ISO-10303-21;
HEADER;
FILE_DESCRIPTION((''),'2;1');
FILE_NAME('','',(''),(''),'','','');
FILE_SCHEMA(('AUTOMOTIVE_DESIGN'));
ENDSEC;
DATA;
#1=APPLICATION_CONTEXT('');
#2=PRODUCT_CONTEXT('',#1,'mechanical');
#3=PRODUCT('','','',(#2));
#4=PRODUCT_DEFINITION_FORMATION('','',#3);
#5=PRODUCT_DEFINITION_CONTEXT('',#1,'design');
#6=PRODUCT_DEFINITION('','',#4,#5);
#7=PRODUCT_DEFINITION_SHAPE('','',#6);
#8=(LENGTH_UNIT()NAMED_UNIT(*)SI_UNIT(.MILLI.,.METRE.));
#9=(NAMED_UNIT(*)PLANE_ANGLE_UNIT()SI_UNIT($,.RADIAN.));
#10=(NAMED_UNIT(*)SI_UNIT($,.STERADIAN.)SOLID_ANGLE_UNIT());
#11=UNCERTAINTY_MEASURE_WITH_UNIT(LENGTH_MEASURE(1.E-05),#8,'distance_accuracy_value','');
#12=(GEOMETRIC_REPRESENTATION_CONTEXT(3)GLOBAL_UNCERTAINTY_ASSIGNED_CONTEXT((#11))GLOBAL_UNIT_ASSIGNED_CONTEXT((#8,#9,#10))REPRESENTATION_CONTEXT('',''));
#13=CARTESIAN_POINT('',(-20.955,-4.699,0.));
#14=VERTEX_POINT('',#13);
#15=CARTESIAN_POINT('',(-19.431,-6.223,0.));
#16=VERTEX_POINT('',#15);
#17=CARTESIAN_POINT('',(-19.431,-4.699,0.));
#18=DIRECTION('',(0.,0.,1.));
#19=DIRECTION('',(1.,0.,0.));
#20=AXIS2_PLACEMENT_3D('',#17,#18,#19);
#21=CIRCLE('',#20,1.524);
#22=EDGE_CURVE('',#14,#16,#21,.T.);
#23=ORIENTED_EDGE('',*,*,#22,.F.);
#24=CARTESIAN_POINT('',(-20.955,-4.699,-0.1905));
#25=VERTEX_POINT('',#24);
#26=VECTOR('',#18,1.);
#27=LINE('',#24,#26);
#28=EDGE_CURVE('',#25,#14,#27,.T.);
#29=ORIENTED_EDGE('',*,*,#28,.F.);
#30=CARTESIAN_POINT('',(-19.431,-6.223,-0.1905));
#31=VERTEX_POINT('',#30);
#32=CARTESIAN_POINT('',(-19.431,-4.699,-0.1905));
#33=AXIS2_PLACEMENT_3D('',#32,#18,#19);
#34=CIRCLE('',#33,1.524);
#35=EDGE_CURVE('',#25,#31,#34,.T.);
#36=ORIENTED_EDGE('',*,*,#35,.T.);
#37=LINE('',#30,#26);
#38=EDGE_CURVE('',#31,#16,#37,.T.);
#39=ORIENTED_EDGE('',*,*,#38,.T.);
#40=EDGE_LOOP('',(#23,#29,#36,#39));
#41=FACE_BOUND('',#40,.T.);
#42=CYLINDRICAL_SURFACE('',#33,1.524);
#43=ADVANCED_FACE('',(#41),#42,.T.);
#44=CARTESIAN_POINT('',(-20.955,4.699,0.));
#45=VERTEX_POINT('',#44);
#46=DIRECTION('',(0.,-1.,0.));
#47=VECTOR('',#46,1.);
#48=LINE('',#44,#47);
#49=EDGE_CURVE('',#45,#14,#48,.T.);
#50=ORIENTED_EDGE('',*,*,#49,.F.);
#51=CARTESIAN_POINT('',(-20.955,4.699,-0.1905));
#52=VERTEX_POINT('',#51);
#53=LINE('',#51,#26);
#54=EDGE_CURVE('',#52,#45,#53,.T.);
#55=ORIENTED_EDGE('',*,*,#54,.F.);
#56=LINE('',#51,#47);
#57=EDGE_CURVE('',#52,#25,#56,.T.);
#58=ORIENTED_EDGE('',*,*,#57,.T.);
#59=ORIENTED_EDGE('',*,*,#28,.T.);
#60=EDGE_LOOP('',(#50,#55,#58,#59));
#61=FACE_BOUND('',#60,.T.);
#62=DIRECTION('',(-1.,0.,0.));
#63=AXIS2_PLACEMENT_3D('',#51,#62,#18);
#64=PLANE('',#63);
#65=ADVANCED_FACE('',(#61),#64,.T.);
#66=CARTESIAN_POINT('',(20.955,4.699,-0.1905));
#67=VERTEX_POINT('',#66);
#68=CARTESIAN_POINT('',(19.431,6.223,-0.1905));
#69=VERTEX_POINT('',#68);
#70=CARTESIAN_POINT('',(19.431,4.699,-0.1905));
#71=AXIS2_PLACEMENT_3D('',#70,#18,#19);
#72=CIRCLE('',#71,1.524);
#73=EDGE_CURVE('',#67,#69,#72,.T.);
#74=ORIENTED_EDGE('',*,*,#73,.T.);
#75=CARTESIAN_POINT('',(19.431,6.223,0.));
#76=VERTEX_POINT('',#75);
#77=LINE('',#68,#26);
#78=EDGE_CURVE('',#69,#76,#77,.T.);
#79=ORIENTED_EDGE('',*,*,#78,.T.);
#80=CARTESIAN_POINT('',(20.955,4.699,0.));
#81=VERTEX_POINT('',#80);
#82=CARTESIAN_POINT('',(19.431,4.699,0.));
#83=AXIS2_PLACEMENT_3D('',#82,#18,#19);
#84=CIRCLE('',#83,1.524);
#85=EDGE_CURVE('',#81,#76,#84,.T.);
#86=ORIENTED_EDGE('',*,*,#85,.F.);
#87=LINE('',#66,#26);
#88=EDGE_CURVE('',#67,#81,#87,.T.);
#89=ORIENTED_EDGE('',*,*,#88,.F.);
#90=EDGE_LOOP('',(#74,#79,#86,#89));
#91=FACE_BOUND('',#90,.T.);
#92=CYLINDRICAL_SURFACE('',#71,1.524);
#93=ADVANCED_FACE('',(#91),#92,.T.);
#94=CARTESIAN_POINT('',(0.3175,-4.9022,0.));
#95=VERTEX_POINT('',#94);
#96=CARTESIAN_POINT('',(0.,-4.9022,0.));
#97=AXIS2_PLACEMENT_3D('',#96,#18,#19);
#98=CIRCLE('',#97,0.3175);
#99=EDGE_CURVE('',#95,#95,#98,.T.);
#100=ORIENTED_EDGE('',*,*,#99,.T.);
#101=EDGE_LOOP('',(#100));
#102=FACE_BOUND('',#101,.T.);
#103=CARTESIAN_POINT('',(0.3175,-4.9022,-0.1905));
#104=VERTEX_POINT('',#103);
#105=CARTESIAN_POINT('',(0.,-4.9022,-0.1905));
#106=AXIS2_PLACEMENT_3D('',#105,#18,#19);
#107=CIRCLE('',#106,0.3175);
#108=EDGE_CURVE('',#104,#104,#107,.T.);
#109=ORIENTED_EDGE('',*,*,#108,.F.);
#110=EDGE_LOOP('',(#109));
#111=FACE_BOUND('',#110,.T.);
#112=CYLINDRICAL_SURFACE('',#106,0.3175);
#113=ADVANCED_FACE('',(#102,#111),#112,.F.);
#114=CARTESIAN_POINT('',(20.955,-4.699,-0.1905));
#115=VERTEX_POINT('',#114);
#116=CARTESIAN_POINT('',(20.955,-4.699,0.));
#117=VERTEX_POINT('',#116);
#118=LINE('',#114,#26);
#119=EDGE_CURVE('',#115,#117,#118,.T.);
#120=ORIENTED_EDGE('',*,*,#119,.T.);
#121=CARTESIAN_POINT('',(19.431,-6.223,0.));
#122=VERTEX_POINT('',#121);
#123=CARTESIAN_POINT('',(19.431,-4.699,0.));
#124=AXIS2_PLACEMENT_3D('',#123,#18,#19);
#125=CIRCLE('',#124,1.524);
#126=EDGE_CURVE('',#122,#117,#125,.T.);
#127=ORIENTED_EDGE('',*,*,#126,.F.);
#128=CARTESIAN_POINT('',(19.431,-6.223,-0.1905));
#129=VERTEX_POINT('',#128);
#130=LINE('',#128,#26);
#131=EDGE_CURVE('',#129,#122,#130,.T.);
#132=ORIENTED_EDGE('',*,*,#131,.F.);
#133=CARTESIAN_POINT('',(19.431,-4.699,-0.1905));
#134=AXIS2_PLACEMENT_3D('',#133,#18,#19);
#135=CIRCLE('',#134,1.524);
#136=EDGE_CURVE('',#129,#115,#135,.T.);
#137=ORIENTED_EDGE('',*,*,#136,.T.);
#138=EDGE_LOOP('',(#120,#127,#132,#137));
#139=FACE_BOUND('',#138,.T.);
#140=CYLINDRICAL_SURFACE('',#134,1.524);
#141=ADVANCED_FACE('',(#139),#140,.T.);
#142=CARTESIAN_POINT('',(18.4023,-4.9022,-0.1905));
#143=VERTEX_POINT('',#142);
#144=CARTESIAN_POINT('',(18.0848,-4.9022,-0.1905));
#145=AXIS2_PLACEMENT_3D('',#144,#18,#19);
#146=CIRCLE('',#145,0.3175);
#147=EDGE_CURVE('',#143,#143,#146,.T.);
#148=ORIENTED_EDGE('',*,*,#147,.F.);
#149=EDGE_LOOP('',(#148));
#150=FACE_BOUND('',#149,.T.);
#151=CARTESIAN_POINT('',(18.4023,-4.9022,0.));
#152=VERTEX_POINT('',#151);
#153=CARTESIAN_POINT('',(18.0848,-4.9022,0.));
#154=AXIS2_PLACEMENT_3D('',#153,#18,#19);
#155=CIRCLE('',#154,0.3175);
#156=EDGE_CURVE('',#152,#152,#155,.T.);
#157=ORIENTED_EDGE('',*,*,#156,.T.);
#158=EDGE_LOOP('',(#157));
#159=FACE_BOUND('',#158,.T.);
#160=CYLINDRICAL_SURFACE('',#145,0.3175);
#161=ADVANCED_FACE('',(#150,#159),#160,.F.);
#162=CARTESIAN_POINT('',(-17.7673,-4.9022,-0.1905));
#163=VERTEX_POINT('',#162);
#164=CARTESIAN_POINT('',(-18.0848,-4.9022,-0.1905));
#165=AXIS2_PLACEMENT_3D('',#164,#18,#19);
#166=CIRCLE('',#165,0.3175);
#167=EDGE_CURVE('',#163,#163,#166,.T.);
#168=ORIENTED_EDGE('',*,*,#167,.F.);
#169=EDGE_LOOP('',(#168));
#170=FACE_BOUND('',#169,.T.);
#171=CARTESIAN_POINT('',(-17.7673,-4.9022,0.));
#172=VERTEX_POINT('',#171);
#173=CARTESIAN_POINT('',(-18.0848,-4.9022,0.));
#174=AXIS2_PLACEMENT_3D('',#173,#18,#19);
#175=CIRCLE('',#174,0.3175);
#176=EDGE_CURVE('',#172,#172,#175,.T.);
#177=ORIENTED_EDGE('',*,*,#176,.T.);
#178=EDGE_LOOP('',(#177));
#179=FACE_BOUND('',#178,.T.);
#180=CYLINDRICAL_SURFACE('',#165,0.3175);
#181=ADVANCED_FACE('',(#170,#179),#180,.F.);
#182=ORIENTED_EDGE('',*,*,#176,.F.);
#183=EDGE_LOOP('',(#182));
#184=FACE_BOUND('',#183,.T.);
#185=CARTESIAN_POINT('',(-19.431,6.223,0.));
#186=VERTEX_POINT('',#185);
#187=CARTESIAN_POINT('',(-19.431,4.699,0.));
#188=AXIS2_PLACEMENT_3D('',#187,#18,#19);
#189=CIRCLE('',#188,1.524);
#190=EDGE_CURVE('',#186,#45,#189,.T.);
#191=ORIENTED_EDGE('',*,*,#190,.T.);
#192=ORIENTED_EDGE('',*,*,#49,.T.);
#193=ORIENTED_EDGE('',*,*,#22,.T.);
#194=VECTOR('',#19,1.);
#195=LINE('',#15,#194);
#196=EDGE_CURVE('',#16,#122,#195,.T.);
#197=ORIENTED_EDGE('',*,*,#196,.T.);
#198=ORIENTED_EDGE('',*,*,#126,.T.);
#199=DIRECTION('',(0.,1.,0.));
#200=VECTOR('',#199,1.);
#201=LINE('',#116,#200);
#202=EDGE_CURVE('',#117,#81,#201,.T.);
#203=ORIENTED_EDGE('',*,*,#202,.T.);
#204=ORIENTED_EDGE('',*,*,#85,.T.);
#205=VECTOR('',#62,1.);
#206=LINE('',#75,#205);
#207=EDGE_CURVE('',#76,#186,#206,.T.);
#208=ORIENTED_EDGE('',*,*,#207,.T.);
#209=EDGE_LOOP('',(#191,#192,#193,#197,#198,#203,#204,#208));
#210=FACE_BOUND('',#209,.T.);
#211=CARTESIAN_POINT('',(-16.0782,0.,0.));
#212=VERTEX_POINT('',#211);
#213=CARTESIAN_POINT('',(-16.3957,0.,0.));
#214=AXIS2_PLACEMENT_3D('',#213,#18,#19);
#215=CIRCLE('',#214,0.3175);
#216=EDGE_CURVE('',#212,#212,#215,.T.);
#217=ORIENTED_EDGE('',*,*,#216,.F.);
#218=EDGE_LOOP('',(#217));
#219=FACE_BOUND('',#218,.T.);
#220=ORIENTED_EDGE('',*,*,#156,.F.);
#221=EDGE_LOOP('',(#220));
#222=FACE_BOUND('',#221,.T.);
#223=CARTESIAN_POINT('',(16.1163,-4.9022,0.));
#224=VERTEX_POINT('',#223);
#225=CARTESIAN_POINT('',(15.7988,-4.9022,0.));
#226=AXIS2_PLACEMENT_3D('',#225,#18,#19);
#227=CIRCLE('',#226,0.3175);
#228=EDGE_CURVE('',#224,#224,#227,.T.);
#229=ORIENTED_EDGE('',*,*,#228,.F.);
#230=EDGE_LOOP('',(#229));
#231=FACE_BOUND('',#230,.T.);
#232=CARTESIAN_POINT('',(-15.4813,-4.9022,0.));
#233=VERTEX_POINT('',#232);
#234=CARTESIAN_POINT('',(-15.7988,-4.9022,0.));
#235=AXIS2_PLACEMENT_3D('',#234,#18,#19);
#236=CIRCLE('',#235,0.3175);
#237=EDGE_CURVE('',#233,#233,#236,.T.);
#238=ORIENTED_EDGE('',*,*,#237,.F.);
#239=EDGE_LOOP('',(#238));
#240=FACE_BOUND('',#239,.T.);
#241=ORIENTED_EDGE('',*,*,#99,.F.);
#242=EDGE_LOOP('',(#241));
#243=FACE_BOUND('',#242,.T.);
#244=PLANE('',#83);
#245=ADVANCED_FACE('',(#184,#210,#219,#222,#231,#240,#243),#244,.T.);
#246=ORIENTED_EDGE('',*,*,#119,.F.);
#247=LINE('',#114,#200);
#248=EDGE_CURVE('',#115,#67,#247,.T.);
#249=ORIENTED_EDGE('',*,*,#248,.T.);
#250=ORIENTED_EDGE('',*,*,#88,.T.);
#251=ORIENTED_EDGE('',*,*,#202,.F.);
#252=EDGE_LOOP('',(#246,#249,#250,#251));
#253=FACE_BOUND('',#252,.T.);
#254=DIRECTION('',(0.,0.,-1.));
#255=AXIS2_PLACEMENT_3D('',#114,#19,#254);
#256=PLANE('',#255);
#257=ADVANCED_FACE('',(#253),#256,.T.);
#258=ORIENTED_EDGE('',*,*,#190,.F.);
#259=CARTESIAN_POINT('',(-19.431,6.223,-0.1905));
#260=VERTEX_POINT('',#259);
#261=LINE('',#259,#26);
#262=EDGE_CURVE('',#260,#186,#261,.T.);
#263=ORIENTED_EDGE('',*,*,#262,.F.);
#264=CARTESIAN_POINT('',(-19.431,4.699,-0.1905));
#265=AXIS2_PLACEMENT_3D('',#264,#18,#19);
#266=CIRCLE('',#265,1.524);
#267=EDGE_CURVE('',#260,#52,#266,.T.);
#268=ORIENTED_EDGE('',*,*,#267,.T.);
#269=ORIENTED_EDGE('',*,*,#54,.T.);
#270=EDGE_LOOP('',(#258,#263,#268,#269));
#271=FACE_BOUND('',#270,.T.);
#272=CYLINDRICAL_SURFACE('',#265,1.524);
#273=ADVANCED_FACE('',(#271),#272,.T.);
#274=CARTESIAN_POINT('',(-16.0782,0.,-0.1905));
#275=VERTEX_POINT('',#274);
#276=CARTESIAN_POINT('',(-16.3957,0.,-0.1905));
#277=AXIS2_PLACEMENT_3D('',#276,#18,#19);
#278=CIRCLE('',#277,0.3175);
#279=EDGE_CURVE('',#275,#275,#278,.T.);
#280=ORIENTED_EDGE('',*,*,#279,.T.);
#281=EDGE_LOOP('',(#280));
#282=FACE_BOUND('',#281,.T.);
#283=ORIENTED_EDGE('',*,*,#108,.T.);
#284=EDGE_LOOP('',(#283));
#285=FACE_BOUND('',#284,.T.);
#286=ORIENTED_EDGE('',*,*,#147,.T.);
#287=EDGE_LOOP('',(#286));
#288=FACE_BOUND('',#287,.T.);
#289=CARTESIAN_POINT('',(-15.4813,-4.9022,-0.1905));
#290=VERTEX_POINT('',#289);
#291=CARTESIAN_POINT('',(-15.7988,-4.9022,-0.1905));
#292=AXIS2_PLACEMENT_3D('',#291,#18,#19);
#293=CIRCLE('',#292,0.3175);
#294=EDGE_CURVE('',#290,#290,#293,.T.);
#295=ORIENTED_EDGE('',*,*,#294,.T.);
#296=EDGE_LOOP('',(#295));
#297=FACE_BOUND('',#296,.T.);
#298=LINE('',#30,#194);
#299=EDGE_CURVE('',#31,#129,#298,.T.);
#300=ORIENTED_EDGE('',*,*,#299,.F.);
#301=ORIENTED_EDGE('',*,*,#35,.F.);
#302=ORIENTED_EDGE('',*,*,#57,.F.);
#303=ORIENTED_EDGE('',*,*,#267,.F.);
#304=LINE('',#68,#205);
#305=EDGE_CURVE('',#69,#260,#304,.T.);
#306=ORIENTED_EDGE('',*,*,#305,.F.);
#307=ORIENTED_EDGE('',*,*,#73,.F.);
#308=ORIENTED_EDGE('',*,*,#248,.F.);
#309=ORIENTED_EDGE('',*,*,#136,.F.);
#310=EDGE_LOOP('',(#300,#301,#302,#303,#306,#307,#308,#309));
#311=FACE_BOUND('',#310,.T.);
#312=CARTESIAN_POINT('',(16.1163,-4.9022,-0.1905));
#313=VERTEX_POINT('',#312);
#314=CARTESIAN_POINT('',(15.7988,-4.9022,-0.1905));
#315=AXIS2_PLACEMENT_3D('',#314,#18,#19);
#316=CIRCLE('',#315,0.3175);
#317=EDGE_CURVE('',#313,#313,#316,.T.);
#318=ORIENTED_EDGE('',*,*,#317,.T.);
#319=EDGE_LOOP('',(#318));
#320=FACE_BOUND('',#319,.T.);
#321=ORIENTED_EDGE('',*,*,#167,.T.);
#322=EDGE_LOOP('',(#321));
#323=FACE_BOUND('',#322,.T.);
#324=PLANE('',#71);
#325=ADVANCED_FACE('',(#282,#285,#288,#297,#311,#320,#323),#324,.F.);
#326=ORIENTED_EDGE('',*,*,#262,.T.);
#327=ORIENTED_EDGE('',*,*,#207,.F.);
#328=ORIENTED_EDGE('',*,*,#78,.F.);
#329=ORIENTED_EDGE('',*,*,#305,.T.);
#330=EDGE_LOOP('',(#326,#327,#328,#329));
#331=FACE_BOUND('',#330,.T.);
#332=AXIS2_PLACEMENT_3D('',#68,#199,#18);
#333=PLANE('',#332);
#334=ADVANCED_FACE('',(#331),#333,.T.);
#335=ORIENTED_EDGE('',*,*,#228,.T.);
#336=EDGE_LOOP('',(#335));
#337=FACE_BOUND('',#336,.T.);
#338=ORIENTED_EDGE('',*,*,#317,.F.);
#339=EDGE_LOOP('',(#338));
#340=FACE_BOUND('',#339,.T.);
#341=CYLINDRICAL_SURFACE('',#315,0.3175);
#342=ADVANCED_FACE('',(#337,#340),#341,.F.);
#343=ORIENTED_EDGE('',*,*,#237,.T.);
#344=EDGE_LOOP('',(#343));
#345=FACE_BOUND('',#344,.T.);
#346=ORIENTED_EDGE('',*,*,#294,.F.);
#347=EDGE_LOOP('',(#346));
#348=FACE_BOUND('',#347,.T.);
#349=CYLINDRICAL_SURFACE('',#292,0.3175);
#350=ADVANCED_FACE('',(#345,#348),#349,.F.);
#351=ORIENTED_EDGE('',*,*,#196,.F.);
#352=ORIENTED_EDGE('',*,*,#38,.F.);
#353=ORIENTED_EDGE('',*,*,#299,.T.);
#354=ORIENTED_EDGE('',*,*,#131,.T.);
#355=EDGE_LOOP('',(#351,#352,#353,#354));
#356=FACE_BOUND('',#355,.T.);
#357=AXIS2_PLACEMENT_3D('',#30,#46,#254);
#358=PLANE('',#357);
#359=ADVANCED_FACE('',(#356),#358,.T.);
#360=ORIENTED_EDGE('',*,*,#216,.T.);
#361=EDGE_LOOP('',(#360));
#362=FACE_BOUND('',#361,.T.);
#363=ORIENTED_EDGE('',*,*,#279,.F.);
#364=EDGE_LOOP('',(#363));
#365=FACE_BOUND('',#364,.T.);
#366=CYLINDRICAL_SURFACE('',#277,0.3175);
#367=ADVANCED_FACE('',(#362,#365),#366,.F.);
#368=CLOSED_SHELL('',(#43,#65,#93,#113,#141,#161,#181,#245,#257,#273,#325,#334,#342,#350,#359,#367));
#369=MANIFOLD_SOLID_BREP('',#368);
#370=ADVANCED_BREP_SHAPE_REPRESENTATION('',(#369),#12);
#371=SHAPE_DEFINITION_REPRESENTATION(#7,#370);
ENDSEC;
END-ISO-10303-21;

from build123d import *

# Parameters (mm, degrees)
SKETCH1_R           = 0.3175
BOSS_EXTRUDE1_DEPTH = 0.1905


with BuildPart() as part:
    # Sketch1 → Boss-Extrude1 (new body)
    with BuildSketch(Plane.XY):
        with BuildLine():
            Line((19.431, 6.223), (-19.431, 6.223))
            ThreePointArc((-19.431, 6.223), (-20.508630735, 5.776630735), (-20.955, 4.699))
            Line((-20.955, 4.699), (-20.955, -4.699))
            ThreePointArc((-20.955, -4.699), (-20.508630735, -5.776630735), (-19.431, -6.223))
            Line((-19.431, -6.223), (19.431, -6.223))
            ThreePointArc((19.431, -6.223), (20.508630735, -5.776630735), (20.955, -4.699))
            Line((20.955, -4.699), (20.955, 4.699))
            ThreePointArc((20.955, 4.699), (20.508630735, 5.776630735), (19.431, 6.223))
        make_face()
        with Locations((18.0848, -4.9022)):
            Circle(SKETCH1_R, mode=Mode.SUBTRACT)
        with Locations((15.7988, -4.9022)):
            Circle(SKETCH1_R, mode=Mode.SUBTRACT)
        with Locations((0, -4.9022)):
            Circle(SKETCH1_R, mode=Mode.SUBTRACT)
        with Locations((-16.3957, 0)):
            Circle(SKETCH1_R, mode=Mode.SUBTRACT)
        with Locations((-15.7988, -4.9022)):
            Circle(SKETCH1_R, mode=Mode.SUBTRACT)
        with Locations((-18.0848, -4.9022)):
            Circle(SKETCH1_R, mode=Mode.SUBTRACT)
    extrude(amount=-BOSS_EXTRUDE1_DEPTH)


solid = part.part
